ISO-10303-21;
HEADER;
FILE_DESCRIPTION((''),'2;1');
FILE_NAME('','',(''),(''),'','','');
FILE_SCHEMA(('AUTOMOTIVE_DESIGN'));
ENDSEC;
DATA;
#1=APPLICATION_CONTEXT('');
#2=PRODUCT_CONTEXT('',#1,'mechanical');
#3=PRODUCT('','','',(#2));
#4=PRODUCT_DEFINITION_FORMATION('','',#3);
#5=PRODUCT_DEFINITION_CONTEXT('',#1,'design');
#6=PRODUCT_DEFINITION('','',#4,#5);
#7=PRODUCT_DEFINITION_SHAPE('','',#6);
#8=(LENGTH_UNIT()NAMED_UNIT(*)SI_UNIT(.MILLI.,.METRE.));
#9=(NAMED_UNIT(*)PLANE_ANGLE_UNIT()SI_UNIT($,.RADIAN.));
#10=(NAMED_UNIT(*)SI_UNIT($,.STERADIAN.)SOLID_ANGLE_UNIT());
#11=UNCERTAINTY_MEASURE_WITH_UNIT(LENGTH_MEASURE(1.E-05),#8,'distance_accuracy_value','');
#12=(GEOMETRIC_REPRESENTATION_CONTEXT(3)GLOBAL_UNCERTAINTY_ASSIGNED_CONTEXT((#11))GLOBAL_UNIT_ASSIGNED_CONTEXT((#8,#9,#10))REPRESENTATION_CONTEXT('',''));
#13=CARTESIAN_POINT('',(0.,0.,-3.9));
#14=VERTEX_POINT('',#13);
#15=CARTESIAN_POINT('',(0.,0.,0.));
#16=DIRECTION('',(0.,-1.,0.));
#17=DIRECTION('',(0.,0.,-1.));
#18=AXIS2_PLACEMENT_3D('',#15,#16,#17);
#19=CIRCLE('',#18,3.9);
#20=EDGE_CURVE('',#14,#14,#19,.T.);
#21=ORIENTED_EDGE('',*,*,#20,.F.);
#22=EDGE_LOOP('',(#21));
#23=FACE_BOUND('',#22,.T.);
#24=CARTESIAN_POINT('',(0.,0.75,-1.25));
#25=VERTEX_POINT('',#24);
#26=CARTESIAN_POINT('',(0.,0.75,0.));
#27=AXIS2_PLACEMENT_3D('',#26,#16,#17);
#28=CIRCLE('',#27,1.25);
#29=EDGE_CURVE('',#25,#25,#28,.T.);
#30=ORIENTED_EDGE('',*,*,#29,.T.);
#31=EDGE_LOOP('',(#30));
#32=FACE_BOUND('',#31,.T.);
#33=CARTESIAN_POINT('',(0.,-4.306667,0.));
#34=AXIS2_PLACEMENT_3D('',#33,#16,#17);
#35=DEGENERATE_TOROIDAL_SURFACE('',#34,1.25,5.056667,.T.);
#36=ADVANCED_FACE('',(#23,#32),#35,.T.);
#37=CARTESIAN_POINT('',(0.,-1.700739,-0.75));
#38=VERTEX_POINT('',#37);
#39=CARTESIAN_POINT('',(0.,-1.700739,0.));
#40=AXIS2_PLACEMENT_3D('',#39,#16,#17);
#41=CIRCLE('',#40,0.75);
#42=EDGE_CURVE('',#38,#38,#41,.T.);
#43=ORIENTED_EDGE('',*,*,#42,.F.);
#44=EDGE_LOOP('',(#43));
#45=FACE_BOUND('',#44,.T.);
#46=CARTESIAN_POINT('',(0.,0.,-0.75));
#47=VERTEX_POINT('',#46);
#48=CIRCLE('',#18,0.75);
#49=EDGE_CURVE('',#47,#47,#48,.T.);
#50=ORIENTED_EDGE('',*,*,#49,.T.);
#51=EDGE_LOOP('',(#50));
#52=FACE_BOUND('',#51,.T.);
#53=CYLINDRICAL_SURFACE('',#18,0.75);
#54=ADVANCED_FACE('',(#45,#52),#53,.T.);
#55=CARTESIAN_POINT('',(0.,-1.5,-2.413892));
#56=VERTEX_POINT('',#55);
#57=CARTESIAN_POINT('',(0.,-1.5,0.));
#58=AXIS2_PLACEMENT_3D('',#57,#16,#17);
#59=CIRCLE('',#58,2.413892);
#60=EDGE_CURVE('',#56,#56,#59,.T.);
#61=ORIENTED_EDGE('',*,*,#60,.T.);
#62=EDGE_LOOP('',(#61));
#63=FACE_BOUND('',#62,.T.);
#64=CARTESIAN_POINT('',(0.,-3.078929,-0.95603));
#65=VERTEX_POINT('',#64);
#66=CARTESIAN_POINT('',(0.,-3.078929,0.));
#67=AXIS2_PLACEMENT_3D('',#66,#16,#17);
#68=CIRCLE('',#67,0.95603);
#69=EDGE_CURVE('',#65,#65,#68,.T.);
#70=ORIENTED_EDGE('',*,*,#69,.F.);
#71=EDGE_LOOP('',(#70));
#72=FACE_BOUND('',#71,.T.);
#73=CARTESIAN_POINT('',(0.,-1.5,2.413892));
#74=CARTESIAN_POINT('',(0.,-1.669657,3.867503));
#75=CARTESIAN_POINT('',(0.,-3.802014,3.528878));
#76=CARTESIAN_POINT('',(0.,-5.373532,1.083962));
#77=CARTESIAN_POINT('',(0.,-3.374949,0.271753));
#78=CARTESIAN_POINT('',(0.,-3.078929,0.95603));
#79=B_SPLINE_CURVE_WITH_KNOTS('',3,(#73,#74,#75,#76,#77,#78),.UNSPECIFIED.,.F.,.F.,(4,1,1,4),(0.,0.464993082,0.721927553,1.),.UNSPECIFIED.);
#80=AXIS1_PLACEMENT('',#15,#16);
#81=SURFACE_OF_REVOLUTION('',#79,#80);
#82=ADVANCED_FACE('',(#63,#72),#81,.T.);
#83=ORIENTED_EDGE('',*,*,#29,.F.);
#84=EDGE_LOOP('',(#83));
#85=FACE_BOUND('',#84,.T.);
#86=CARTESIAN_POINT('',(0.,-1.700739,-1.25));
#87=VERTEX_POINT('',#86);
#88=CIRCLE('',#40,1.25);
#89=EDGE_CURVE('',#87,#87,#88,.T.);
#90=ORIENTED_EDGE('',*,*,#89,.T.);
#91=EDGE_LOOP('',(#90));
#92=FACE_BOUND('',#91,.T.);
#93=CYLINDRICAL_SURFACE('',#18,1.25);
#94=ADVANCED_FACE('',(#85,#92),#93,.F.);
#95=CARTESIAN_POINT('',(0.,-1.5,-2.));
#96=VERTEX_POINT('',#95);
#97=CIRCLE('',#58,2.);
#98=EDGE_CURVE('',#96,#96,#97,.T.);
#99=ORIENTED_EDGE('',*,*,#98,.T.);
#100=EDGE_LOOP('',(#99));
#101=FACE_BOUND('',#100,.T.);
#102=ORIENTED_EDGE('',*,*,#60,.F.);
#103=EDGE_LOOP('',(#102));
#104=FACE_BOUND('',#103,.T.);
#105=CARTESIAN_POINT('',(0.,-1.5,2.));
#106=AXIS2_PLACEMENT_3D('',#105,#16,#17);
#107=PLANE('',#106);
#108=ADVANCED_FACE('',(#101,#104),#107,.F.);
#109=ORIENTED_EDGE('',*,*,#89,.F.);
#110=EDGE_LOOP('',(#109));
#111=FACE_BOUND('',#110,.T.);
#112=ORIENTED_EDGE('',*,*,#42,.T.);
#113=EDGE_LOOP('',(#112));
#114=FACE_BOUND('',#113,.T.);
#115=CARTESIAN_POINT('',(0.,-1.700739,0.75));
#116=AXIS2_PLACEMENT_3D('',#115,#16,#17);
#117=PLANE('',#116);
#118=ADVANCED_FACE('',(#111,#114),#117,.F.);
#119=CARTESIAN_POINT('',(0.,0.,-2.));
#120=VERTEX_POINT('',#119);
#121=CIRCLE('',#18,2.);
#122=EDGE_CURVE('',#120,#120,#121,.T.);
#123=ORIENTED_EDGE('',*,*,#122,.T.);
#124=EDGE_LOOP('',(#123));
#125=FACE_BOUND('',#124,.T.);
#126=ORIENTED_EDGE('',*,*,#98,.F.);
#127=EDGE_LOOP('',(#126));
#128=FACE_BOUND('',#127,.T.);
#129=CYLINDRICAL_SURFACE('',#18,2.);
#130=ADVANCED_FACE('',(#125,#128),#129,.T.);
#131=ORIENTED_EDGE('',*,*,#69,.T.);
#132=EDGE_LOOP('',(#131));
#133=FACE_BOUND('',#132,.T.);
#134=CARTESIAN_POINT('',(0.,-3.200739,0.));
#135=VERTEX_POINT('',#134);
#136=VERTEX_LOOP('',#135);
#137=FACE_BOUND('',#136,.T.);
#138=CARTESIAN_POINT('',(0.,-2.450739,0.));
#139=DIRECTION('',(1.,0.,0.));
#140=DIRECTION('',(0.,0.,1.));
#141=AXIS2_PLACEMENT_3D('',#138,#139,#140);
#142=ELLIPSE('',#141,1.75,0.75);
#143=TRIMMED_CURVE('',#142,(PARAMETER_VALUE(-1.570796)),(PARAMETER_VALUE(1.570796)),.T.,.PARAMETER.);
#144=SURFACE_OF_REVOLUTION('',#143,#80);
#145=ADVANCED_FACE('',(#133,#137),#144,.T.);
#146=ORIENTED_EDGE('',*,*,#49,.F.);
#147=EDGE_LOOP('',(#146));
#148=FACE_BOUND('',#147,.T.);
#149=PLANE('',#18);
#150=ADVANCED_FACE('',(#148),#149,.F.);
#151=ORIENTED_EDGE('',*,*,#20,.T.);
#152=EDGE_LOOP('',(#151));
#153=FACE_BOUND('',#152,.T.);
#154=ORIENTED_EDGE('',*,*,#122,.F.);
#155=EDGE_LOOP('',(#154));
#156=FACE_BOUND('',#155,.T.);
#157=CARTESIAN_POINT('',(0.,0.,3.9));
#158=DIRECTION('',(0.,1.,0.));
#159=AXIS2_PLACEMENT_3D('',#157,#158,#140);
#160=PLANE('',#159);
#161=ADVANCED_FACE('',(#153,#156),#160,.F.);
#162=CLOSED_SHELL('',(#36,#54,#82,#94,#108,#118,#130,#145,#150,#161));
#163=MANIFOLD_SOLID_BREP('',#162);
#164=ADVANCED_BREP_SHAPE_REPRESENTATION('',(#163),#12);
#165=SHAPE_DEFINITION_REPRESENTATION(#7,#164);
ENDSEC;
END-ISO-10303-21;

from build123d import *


with BuildPart() as part:
    # Szkic1 → Obrót1 (revolve)
    with BuildSketch(Plane(origin=(0, 0, 0), x_dir=(0, 0, -1), z_dir=(1, 0, 0)), mode=Mode.PRIVATE) as obr_t1_sk:
        with BuildLine():
            Line((0, 0), (-0.75, 0))
            Line((-0.75, 0), (-0.75, -1.700738523))
            Line((-0.75, -1.700738523), (-1.25, -1.700738523))
            Line((-1.25, -1.700738523), (-1.25, 0.75))
            ThreePointArc((-1.25, 0.75), (-2.627043935, 0.558888572), (-3.9, 0))
            Line((-3.9, 0), (-2, 0))
            Line((-2, 0), (-2, -1.5))
            Line((-2, -1.5), (-2.413891755, -1.5))
            add(Edge.make_bspline(
                [(-2.413891755, -1.5), (-3.867503112, -1.669657322), (-3.528877649, -3.802013626), (-1.083961642, -5.373532369), (-0.271752618, -3.374949298), (-0.956030427, -3.078929194)],
                knots=[0, 0, 0, 0, 0.464993082, 0.721927553, 1, 1, 1, 1], degree=3))
            add(Edge.make_bspline(
                [(-0.956030427, -3.078929194), (-0.520263876, -3.200738523), (0, -3.200738523)],
                knots=[0.992852221, 0.992852221, 0.992852221, 1.570796327, 1.570796327, 1.570796327], degree=2, weights=[1, 0.958537313, 1]))
            Line((0, -3.200738523), (0, -1.700738523))
            Line((0, -1.700738523), (0, 0))
        make_face()
    revolve(obr_t1_sk.sketch.rotate(Axis((0, 0, 0), (0, 1, 0)), 180), axis=Axis((0, 0, 0), (0, 1, 0)))


solid = part.part
